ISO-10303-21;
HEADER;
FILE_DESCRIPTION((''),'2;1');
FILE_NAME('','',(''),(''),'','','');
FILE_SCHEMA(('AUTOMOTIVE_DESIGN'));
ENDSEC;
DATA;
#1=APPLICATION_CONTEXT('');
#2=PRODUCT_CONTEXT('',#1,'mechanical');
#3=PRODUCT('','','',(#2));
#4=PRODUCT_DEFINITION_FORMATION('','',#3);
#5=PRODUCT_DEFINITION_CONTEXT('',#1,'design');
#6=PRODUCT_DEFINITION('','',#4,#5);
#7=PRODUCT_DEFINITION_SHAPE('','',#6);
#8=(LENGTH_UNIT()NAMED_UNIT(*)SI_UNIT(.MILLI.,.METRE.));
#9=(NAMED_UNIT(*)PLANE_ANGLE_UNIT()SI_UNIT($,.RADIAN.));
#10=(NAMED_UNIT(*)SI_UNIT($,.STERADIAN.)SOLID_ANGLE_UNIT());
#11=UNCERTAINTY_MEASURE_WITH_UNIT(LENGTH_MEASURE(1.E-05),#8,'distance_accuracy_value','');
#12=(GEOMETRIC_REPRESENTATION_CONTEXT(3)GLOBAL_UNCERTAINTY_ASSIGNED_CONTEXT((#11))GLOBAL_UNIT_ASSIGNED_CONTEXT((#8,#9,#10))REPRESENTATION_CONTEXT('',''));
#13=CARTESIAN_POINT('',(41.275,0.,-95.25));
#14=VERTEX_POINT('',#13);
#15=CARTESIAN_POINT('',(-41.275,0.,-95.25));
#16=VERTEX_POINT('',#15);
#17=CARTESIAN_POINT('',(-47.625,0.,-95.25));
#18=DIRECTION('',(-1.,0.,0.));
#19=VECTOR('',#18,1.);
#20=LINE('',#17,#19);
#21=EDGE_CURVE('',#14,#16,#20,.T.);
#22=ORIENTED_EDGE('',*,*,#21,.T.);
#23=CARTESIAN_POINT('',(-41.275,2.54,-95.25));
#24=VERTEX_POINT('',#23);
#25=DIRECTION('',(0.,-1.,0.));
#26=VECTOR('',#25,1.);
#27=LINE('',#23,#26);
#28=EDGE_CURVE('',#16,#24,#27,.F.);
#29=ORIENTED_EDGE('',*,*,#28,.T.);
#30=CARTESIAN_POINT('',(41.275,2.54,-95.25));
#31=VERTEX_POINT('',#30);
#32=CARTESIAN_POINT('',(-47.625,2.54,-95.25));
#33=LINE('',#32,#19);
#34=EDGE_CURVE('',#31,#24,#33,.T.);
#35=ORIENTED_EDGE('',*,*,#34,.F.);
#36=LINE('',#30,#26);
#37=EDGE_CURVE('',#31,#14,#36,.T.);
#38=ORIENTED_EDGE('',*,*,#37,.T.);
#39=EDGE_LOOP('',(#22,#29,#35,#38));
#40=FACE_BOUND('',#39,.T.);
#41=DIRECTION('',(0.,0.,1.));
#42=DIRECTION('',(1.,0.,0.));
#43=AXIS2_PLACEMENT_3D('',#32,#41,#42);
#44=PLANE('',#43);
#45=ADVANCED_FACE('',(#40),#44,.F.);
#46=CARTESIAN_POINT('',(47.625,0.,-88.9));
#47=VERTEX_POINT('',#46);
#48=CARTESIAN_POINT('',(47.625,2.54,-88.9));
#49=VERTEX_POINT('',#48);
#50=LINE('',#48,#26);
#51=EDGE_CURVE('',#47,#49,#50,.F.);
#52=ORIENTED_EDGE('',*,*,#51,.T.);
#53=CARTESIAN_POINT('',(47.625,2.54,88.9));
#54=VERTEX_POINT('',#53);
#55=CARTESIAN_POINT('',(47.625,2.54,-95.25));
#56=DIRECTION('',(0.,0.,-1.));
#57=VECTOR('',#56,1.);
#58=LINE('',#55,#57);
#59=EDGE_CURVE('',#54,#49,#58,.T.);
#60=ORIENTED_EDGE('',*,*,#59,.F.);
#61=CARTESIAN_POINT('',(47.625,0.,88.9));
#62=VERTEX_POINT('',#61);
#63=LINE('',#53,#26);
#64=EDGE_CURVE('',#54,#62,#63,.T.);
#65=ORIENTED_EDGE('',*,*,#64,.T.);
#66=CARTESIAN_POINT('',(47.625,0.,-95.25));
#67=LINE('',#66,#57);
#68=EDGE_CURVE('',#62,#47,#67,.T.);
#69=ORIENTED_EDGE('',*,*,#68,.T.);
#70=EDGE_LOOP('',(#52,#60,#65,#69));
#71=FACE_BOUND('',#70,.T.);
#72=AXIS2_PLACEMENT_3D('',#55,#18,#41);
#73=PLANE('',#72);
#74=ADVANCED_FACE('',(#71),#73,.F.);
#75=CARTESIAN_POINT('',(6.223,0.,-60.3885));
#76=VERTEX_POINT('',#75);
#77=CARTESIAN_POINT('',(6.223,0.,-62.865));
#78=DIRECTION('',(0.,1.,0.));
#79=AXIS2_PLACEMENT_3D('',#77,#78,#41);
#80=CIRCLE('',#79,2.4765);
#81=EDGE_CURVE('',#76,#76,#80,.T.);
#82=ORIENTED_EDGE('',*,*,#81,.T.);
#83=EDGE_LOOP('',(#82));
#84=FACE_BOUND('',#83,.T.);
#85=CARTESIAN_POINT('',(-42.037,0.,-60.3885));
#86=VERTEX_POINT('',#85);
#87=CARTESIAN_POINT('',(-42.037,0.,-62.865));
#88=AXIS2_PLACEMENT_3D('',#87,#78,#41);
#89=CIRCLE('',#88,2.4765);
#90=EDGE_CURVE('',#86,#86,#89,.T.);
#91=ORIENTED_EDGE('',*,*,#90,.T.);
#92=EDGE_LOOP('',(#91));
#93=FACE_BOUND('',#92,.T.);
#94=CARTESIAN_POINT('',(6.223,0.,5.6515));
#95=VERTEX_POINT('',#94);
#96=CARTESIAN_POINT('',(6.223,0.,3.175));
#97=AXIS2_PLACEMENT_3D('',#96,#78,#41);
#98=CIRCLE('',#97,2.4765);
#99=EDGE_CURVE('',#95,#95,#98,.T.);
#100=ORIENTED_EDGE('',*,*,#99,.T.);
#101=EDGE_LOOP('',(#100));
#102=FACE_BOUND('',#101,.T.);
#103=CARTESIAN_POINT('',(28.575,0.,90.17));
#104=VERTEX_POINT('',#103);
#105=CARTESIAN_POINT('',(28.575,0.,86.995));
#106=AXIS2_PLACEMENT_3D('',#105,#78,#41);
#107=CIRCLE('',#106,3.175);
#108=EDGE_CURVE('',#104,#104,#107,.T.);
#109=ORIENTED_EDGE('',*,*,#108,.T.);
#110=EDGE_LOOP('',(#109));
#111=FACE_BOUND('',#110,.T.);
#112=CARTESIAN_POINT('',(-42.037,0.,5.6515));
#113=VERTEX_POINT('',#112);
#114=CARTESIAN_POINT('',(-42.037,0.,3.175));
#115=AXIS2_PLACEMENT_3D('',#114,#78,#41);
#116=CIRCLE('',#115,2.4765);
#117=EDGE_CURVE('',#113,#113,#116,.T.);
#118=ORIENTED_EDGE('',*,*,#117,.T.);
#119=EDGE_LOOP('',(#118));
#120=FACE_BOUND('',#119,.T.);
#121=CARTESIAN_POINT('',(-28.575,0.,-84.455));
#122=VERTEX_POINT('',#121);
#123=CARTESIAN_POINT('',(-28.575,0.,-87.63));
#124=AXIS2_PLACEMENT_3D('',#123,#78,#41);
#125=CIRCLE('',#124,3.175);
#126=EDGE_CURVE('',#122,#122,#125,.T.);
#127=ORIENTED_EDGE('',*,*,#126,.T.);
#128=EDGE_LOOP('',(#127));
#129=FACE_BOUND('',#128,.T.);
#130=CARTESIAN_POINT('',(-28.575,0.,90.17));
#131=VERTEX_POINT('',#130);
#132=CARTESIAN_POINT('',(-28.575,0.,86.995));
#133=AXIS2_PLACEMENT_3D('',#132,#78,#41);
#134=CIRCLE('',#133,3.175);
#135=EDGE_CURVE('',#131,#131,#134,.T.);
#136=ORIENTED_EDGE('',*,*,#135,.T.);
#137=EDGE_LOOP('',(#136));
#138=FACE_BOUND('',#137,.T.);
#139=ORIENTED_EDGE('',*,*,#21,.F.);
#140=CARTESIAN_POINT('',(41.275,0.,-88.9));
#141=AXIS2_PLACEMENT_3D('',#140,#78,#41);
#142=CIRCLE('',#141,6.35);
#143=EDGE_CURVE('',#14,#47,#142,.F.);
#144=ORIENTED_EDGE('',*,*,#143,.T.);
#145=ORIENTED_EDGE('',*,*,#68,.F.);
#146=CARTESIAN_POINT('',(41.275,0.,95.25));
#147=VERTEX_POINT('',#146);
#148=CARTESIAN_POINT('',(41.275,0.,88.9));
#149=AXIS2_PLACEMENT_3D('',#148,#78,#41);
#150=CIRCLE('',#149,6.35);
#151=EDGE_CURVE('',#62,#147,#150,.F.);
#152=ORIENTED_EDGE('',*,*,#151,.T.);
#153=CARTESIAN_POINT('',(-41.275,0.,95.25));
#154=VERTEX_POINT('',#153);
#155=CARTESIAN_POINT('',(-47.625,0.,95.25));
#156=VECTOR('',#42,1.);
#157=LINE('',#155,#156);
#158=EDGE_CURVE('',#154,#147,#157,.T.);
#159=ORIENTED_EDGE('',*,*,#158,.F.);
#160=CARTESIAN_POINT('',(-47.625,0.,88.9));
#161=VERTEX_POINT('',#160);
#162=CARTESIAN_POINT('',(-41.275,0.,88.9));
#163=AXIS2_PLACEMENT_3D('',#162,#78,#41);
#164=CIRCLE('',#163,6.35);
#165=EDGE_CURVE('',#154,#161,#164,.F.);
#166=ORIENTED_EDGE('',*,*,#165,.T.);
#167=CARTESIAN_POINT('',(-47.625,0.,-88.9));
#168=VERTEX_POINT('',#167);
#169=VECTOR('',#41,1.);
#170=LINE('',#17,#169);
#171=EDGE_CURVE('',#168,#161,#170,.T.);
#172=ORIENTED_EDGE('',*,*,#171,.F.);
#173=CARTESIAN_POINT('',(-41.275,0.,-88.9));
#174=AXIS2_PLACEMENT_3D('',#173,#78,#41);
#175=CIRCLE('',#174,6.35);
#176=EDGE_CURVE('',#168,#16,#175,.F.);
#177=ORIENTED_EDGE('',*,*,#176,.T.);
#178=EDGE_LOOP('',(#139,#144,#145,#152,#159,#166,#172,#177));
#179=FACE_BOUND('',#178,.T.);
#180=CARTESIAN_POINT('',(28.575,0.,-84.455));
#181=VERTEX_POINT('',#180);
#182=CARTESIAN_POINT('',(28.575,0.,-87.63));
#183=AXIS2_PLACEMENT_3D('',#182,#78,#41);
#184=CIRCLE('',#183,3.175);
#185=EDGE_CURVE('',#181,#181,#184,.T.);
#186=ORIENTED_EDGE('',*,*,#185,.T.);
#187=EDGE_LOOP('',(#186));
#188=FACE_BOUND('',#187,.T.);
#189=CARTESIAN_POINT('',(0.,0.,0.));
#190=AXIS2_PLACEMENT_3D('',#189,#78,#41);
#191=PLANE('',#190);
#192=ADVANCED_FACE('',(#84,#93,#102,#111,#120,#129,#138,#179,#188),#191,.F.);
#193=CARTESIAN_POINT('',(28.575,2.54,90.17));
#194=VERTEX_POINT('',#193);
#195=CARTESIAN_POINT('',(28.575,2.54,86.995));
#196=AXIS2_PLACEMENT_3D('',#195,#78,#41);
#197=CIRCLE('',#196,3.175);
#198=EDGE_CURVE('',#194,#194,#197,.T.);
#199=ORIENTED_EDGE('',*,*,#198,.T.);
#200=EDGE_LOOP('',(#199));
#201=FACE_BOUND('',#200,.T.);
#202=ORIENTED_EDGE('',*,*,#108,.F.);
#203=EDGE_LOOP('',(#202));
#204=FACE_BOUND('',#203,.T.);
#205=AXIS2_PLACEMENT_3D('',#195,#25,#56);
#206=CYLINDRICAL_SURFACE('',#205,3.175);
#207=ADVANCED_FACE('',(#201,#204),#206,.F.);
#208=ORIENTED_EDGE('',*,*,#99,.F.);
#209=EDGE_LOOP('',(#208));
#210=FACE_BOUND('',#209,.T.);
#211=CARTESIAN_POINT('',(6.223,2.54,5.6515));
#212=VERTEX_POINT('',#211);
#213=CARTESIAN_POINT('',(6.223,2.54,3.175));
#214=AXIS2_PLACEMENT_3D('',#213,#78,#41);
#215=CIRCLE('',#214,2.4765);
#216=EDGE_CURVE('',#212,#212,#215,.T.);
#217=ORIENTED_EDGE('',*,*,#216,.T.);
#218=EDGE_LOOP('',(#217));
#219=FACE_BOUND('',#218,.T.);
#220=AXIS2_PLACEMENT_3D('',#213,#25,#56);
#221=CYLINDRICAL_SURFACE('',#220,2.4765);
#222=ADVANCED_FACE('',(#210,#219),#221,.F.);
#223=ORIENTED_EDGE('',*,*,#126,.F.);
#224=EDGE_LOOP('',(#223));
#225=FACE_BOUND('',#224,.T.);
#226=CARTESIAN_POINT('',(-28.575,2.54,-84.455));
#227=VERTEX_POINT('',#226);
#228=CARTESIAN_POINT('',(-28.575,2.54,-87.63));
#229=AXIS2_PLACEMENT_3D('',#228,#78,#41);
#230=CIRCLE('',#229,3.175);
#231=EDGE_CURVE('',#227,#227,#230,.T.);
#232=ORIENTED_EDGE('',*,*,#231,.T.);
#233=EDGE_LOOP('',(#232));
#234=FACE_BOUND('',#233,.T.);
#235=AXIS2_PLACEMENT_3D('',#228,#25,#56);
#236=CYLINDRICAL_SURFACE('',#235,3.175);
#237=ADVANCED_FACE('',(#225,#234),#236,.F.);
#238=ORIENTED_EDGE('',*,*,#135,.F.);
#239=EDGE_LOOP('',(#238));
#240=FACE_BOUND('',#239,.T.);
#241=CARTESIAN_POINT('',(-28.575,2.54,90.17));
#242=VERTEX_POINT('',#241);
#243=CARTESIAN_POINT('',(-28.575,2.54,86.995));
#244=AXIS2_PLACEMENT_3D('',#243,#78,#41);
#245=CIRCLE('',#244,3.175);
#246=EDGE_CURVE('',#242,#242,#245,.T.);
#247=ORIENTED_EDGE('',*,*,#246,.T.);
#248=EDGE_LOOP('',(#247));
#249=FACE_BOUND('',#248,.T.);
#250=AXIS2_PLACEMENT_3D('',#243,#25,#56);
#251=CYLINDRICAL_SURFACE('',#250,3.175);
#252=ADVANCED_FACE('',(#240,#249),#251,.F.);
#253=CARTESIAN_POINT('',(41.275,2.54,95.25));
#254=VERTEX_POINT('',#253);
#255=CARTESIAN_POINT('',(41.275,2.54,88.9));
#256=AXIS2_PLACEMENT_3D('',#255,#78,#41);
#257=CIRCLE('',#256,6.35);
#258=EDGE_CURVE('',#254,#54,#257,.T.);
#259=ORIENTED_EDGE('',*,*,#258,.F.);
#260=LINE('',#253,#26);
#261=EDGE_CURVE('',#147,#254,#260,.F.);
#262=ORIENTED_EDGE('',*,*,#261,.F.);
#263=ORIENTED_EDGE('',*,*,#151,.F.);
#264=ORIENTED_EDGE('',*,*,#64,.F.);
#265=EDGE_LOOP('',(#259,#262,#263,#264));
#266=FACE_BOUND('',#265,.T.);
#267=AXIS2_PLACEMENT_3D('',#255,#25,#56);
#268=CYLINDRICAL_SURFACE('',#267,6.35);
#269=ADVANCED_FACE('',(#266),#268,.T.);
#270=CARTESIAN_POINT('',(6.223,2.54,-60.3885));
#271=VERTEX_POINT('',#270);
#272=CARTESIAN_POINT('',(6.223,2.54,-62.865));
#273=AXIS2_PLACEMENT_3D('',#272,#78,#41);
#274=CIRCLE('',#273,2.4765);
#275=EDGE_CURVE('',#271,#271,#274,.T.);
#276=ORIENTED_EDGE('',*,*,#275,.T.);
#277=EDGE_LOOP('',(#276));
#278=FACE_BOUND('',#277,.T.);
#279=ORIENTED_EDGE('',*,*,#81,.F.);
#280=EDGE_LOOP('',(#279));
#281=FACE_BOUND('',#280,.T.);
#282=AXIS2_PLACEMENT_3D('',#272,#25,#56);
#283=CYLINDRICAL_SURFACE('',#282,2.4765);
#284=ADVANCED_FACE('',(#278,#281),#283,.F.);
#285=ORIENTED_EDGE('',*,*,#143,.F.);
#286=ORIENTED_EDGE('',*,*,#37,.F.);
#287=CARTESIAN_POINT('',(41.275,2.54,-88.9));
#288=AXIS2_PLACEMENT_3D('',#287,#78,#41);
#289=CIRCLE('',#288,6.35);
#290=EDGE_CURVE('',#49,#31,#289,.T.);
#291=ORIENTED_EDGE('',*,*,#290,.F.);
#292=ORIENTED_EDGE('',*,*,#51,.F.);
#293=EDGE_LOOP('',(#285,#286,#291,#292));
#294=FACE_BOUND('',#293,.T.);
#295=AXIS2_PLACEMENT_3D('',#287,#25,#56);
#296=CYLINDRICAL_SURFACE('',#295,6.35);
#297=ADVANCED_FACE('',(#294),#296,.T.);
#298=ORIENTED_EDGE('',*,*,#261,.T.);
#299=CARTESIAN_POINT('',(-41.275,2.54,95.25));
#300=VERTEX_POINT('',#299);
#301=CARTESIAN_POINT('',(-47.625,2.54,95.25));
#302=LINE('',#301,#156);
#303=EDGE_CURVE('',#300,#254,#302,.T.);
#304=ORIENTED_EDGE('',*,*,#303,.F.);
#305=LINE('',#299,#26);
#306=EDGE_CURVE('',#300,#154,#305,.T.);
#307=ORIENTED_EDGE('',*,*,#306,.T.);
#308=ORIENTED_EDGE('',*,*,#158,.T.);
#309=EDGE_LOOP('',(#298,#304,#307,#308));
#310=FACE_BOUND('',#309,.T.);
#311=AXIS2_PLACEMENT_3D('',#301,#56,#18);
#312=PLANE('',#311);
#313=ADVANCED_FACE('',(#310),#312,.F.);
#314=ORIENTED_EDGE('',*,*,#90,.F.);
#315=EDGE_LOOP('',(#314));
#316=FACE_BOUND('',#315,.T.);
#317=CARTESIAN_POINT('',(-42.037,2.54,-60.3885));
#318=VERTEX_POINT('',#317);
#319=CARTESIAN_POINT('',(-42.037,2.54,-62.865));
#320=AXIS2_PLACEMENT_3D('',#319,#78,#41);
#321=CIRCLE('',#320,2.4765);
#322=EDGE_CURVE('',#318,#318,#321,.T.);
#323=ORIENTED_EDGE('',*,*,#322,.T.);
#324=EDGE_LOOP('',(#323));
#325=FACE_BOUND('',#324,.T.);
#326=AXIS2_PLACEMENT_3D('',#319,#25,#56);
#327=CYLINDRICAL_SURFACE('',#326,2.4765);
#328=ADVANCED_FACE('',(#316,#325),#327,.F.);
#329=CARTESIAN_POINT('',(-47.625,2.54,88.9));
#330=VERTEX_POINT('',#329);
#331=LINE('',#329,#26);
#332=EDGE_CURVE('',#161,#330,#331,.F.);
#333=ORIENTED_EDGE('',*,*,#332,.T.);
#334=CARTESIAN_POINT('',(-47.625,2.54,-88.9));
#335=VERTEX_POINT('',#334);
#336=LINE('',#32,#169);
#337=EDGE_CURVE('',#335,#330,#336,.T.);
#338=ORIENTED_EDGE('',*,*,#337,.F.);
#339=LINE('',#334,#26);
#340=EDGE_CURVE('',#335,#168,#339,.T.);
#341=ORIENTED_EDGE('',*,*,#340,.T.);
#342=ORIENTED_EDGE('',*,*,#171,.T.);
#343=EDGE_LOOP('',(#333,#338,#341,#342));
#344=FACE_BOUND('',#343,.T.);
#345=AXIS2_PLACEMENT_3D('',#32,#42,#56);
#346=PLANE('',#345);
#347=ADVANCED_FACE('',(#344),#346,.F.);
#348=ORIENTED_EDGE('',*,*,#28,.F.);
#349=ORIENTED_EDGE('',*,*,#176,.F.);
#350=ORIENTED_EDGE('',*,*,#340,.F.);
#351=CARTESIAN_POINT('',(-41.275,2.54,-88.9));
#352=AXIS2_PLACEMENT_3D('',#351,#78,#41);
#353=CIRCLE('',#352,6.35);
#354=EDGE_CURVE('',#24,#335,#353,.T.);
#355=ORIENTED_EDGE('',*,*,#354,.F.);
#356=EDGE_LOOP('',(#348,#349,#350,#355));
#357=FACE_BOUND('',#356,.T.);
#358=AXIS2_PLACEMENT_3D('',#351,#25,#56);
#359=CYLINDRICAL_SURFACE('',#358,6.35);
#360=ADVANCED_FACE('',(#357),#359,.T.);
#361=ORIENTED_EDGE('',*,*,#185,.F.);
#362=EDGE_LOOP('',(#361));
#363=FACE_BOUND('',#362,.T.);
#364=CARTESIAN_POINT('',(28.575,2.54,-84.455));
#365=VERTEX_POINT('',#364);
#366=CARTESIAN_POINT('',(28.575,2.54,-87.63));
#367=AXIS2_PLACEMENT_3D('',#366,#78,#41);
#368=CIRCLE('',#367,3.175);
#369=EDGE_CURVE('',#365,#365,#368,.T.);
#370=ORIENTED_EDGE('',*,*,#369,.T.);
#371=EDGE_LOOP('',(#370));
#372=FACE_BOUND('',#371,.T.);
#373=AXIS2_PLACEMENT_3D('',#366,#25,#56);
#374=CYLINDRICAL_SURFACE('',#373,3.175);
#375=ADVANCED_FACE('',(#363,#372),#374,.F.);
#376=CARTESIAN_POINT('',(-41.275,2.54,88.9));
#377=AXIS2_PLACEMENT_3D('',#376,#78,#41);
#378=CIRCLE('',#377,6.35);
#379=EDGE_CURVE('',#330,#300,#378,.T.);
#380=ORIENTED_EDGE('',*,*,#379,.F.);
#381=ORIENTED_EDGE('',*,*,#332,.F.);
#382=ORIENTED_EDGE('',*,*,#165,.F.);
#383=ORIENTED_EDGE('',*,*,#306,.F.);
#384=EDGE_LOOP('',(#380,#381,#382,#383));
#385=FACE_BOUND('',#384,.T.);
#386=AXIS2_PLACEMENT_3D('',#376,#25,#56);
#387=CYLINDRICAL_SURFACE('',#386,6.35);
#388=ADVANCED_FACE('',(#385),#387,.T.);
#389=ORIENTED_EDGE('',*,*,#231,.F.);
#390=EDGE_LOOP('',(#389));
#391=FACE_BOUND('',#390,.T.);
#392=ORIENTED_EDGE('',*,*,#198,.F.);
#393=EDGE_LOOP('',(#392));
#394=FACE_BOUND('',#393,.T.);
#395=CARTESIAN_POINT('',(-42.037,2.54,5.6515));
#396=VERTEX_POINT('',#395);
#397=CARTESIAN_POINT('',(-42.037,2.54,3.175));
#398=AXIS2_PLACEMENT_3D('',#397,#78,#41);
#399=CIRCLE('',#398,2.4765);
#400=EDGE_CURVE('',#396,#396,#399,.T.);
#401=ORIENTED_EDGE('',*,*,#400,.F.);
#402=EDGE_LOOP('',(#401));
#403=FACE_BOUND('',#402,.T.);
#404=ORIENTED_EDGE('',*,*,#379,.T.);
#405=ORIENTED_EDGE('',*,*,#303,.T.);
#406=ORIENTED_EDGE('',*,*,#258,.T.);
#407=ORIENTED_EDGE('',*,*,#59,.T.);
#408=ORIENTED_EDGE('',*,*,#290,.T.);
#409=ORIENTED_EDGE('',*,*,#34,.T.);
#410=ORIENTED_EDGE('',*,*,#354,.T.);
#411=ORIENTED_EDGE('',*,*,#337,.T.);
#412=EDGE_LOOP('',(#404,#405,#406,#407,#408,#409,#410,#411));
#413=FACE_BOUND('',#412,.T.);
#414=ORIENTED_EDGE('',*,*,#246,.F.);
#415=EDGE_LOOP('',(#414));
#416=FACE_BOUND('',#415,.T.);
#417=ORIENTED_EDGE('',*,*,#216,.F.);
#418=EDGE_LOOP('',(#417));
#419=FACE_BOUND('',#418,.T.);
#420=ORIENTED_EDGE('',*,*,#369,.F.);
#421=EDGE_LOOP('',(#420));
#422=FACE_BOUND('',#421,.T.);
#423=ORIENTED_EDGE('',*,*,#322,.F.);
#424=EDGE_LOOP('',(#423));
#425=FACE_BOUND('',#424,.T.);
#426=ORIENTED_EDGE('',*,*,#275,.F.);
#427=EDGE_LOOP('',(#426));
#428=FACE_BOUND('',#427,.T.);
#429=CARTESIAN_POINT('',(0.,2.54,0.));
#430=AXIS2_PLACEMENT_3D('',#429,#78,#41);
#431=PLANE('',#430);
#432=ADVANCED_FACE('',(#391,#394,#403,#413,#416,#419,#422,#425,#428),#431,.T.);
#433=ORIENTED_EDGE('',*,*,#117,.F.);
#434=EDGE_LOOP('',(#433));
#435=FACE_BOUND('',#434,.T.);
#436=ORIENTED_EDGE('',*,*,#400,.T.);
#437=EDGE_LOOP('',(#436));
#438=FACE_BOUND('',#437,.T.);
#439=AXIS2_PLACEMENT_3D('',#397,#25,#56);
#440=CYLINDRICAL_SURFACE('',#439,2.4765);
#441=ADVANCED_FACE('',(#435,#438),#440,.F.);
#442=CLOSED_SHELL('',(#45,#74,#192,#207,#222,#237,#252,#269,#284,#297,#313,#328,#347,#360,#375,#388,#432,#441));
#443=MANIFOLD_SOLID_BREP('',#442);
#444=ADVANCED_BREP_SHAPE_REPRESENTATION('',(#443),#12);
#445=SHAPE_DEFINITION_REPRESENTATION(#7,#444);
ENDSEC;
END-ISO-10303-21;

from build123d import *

# Parameters (mm, degrees)
SKETCH1_W           = 95.25
SKETCH1_H           = 190.5
SKETCH1_R           = 2.4765
SKETCH1_R_2         = 3.175
BOSS_EXTRUDE1_DEPTH = 2.54
FILLET1_R           = 6.35


with BuildPart() as part:
    # Sketch1 → Boss-Extrude1 (new body)
    with BuildSketch(Plane(origin=(0, 0, 0), x_dir=(1, 0, 0), z_dir=(0, 1, 0))):
        Rectangle(SKETCH1_W, SKETCH1_H)
        with Locations(Location((-42.037, 62.865, 0), (0, 0, 270))):
            Circle(SKETCH1_R, mode=Mode.SUBTRACT)
        with Locations(Location((6.223, 62.865, 0), (0, 0, 270))):
            Circle(SKETCH1_R, mode=Mode.SUBTRACT)
        with Locations(Location((6.223, -3.175, 0), (0, 0, 270))):
            Circle(SKETCH1_R, mode=Mode.SUBTRACT)
        with Locations(Location((-42.037, -3.175, 0), (0, 0, 270))):
            Circle(SKETCH1_R, mode=Mode.SUBTRACT)
        with Locations(Location((-28.575, 87.63, 0), (0, 0, 270))):
            Circle(SKETCH1_R_2, mode=Mode.SUBTRACT)
        with Locations(Location((28.575, 87.63, 0), (0, 0, 270))):
            Circle(SKETCH1_R_2, mode=Mode.SUBTRACT)
        with Locations(Location((28.575, -86.995, 0), (0, 0, 270))):
            Circle(SKETCH1_R_2, mode=Mode.SUBTRACT)
        with Locations(Location((-28.575, -86.995, 0), (0, 0, 270))):
            Circle(SKETCH1_R_2, mode=Mode.SUBTRACT)
    extrude(amount=BOSS_EXTRUDE1_DEPTH)

    # Fillet1
    fillet1_edges = [part.edges().sort_by_distance(p)[0] for p in [
        (47.625, 1.27, 95.25),
        (-47.625, 1.27, 95.25),
        (-47.625, 1.27, -95.25),
        (47.625, 1.27, -95.25),
    ]]
    fillet(fillet1_edges, radius=FILLET1_R)


solid = part.part
